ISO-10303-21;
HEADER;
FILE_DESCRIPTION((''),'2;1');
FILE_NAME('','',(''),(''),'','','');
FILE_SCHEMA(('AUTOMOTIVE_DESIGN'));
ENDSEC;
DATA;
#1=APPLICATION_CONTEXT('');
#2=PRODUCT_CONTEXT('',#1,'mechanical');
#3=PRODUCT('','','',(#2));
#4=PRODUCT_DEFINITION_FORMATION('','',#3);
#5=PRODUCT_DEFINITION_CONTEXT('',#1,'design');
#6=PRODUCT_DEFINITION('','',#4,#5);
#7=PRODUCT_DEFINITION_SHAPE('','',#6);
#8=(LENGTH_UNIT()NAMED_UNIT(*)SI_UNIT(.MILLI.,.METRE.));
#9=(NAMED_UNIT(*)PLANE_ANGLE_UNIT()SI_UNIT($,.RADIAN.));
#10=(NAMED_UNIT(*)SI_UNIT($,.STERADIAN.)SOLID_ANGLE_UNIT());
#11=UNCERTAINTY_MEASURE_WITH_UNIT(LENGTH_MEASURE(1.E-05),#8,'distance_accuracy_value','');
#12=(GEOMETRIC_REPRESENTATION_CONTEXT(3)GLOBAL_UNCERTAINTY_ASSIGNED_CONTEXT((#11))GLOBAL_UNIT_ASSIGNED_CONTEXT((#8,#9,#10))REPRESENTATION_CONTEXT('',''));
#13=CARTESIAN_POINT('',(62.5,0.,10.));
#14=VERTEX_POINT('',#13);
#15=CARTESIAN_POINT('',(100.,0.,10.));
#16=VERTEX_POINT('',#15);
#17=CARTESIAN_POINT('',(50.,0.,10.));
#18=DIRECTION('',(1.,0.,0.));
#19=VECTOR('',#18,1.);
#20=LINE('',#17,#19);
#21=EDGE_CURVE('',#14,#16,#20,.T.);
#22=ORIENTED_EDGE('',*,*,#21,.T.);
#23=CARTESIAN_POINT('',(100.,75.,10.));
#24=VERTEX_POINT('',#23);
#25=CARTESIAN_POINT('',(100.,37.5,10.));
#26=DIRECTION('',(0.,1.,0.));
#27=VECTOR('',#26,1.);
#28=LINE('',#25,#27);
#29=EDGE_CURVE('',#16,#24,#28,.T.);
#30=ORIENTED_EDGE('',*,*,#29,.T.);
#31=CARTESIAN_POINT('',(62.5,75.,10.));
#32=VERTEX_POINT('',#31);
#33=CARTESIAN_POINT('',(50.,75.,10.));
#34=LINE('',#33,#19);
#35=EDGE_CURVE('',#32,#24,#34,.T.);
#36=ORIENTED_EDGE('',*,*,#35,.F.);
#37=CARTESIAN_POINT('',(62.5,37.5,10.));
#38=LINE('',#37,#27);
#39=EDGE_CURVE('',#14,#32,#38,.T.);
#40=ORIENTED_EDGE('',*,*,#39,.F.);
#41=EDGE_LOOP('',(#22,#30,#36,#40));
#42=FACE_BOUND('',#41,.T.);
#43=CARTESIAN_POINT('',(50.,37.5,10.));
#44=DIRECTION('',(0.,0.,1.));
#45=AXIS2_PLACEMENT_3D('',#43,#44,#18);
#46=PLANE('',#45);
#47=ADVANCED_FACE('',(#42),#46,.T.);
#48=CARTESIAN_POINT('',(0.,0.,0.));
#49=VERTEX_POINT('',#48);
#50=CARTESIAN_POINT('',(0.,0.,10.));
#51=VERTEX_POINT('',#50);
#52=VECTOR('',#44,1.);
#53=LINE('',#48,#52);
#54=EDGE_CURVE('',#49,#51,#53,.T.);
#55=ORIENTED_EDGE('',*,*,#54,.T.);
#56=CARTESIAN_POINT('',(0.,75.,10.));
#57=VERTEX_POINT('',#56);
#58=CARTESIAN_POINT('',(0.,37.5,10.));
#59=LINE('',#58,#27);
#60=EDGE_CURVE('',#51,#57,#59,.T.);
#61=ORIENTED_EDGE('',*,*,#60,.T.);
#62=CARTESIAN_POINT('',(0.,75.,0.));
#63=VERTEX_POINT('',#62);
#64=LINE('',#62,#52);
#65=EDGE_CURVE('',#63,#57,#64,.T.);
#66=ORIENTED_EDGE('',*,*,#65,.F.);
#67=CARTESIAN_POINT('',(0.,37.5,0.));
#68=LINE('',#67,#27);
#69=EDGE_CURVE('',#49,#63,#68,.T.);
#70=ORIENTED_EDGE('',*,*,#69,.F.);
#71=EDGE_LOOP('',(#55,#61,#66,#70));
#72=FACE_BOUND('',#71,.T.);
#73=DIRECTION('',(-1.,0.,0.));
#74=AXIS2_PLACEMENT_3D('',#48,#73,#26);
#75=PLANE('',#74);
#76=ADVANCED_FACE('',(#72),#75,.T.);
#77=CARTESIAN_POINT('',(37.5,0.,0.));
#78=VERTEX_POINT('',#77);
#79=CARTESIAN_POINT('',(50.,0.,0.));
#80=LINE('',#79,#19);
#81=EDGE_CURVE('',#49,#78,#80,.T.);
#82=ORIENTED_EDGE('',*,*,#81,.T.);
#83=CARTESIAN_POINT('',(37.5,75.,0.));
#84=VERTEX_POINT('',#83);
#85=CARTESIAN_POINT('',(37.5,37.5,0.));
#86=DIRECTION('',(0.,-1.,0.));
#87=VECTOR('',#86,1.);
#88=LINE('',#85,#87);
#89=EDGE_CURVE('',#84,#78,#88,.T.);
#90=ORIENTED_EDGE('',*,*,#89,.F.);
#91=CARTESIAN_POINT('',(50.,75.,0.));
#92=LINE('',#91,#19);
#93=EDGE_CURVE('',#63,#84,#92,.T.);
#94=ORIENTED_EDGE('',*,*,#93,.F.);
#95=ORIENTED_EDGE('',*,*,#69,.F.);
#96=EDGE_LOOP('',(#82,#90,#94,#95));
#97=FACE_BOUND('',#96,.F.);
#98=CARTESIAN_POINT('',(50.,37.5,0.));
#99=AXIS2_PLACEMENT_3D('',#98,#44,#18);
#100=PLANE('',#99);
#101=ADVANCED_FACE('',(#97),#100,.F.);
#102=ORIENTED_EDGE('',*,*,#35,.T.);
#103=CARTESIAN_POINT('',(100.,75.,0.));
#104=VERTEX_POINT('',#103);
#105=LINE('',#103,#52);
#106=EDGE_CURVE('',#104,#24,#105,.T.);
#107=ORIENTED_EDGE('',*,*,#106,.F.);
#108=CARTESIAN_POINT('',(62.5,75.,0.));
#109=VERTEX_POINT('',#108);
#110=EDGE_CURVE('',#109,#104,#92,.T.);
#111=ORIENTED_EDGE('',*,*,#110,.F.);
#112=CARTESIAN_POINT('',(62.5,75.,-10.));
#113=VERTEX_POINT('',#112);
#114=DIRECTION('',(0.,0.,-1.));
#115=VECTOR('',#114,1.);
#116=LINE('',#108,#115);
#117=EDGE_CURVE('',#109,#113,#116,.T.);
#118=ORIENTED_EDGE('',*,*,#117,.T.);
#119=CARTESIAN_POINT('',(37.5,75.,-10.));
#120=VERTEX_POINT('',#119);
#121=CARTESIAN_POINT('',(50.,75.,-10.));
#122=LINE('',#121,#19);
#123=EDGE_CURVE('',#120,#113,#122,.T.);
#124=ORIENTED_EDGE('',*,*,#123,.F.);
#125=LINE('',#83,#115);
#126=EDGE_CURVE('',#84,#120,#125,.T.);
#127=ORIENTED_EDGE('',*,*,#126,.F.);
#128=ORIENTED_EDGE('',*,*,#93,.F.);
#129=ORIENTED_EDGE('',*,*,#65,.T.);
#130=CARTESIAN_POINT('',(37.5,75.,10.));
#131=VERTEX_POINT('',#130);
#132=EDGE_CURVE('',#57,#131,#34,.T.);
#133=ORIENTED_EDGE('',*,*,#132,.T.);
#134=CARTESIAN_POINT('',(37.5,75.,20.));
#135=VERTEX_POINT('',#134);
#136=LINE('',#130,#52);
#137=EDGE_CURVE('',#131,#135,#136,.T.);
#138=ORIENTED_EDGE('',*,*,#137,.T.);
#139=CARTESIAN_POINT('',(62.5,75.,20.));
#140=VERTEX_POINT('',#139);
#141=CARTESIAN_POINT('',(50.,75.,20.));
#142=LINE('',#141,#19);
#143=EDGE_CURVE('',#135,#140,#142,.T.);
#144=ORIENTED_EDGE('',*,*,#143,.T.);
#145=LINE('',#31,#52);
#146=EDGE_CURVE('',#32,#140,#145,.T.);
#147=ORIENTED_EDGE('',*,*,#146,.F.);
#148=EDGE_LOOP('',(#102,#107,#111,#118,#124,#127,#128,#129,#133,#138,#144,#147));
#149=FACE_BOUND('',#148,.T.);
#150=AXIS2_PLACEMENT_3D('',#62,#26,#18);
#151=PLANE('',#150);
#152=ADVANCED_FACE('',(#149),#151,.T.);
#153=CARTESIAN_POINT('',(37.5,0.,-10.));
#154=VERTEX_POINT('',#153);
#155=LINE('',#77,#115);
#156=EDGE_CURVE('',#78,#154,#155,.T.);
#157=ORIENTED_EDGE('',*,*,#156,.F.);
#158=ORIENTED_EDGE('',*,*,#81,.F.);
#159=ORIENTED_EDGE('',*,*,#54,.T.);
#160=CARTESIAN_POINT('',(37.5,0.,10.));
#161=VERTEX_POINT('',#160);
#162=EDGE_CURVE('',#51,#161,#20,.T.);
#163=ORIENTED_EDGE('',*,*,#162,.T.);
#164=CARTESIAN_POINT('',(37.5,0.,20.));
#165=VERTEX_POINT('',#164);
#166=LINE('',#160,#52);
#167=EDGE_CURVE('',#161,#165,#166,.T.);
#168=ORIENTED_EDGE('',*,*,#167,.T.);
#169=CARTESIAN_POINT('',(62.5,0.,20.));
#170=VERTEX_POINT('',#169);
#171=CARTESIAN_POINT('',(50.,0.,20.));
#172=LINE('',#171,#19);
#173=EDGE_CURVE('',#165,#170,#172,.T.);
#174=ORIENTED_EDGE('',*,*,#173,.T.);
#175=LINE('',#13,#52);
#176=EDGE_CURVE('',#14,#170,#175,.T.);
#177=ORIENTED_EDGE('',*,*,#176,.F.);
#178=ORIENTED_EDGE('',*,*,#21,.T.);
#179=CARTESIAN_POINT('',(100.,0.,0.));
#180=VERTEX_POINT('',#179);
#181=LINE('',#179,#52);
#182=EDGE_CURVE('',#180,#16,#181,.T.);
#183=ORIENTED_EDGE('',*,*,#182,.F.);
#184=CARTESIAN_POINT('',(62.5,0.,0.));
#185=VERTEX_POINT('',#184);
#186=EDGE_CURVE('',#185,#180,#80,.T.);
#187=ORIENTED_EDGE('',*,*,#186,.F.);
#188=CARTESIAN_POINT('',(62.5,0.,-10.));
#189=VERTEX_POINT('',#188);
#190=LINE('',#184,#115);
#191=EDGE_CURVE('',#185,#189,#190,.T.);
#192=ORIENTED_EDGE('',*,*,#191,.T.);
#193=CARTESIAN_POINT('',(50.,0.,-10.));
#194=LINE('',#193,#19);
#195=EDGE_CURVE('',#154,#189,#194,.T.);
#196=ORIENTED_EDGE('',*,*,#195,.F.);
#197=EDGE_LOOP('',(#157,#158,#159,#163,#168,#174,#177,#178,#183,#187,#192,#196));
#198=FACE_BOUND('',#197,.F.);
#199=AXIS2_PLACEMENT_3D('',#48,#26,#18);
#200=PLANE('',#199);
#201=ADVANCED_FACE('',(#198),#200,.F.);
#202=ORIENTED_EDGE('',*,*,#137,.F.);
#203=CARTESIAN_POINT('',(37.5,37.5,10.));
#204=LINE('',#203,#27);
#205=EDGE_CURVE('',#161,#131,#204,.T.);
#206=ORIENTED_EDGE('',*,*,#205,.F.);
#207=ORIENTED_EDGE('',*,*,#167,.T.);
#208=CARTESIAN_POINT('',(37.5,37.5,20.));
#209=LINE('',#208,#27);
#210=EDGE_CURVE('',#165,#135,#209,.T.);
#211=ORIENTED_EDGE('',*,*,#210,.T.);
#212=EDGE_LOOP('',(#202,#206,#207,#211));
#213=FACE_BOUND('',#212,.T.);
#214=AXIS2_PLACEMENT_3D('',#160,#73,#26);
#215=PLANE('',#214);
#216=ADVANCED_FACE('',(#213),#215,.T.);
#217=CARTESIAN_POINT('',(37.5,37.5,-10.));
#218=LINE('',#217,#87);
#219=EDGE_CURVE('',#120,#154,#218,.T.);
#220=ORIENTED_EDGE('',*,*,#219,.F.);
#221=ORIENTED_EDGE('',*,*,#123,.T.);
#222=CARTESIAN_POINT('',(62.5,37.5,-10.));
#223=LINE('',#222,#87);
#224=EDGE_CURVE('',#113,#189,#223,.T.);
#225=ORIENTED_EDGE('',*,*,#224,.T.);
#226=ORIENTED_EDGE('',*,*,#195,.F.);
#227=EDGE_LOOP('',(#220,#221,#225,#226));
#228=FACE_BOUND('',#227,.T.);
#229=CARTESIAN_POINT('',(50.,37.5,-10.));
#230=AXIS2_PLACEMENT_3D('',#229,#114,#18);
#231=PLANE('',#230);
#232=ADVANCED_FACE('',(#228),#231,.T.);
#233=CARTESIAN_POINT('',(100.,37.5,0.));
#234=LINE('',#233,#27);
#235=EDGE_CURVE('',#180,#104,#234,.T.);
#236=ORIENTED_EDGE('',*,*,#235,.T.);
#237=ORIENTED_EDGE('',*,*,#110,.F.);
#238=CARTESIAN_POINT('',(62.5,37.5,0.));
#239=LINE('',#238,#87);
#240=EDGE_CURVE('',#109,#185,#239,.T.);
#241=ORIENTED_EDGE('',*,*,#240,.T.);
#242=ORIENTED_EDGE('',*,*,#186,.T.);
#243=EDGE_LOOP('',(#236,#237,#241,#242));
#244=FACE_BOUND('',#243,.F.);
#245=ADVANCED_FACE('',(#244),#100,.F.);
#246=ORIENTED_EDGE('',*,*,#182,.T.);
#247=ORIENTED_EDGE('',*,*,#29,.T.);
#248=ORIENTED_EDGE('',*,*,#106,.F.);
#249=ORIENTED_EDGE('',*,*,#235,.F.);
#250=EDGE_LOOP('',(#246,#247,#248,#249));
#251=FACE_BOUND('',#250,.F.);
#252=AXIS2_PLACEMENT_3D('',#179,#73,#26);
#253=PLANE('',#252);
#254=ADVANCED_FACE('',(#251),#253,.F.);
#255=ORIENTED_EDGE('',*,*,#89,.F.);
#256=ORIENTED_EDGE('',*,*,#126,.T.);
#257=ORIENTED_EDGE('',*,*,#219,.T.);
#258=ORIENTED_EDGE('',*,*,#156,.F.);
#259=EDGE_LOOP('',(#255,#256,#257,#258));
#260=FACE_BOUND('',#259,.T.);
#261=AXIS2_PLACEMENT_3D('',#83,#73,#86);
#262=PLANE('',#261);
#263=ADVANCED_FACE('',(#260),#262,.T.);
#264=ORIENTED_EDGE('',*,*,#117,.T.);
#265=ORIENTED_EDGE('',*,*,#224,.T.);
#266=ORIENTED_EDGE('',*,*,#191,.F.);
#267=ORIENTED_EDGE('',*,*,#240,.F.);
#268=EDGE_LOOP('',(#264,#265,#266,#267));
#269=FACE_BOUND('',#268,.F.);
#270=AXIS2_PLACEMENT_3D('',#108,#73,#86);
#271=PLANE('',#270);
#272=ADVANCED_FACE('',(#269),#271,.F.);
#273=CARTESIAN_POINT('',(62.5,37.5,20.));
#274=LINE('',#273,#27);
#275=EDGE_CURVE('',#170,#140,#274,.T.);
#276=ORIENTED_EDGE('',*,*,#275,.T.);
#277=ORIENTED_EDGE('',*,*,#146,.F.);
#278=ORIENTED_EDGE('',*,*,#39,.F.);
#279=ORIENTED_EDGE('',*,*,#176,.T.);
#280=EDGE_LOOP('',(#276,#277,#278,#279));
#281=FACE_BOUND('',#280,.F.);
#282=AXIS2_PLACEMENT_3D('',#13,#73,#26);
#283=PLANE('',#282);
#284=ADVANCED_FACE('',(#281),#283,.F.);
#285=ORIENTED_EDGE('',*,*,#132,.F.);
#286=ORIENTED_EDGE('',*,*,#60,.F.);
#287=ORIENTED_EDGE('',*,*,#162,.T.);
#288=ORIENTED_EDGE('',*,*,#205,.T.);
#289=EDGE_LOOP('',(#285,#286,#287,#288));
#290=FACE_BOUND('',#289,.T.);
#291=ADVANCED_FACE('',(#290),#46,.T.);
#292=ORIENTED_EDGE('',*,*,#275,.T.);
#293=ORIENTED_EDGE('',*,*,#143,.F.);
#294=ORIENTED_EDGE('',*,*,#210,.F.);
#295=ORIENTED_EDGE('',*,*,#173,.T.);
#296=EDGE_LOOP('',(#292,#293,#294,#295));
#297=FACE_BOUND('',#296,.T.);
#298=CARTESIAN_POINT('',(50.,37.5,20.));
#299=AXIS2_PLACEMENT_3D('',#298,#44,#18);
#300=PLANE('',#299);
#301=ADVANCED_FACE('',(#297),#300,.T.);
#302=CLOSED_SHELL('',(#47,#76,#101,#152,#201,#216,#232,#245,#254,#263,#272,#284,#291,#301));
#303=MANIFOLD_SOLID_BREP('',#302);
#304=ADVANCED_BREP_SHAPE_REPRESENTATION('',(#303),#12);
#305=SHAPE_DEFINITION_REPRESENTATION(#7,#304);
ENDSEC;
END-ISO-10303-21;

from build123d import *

# Parameters (mm, degrees)
SKETCH_W     = 100
SKETCH_H     = 75
PAD_DEPTH    = 10
SKETCH001_W  = 25
SKETCH001_H  = 75
PAD001_DEPTH = 10
SKETCH002_W  = 25
SKETCH002_H  = 75
PAD002_DEPTH = 10


with BuildPart() as part:
    # Sketch → Pad (new body)
    with BuildSketch(Plane.XY):
        with Locations((50, 37.5)):
            Rectangle(SKETCH_W, SKETCH_H)
    extrude(amount=PAD_DEPTH)

    # Sketch001 → Pad001 (new body)
    with BuildSketch(Plane.XY.offset(10)):
        with Locations((50, 37.5)):
            Rectangle(SKETCH001_W, SKETCH001_H)
    extrude(amount=PAD001_DEPTH)

    # Sketch002 → Pad002 (new body)
    with BuildSketch(Plane(origin=(0, 0, 0), x_dir=(1, 0, 0), z_dir=(0, 0, -1))):
        with Locations((50, -37.5)):
            Rectangle(SKETCH002_W, SKETCH002_H)
    extrude(amount=PAD002_DEPTH)


solid = part.part
